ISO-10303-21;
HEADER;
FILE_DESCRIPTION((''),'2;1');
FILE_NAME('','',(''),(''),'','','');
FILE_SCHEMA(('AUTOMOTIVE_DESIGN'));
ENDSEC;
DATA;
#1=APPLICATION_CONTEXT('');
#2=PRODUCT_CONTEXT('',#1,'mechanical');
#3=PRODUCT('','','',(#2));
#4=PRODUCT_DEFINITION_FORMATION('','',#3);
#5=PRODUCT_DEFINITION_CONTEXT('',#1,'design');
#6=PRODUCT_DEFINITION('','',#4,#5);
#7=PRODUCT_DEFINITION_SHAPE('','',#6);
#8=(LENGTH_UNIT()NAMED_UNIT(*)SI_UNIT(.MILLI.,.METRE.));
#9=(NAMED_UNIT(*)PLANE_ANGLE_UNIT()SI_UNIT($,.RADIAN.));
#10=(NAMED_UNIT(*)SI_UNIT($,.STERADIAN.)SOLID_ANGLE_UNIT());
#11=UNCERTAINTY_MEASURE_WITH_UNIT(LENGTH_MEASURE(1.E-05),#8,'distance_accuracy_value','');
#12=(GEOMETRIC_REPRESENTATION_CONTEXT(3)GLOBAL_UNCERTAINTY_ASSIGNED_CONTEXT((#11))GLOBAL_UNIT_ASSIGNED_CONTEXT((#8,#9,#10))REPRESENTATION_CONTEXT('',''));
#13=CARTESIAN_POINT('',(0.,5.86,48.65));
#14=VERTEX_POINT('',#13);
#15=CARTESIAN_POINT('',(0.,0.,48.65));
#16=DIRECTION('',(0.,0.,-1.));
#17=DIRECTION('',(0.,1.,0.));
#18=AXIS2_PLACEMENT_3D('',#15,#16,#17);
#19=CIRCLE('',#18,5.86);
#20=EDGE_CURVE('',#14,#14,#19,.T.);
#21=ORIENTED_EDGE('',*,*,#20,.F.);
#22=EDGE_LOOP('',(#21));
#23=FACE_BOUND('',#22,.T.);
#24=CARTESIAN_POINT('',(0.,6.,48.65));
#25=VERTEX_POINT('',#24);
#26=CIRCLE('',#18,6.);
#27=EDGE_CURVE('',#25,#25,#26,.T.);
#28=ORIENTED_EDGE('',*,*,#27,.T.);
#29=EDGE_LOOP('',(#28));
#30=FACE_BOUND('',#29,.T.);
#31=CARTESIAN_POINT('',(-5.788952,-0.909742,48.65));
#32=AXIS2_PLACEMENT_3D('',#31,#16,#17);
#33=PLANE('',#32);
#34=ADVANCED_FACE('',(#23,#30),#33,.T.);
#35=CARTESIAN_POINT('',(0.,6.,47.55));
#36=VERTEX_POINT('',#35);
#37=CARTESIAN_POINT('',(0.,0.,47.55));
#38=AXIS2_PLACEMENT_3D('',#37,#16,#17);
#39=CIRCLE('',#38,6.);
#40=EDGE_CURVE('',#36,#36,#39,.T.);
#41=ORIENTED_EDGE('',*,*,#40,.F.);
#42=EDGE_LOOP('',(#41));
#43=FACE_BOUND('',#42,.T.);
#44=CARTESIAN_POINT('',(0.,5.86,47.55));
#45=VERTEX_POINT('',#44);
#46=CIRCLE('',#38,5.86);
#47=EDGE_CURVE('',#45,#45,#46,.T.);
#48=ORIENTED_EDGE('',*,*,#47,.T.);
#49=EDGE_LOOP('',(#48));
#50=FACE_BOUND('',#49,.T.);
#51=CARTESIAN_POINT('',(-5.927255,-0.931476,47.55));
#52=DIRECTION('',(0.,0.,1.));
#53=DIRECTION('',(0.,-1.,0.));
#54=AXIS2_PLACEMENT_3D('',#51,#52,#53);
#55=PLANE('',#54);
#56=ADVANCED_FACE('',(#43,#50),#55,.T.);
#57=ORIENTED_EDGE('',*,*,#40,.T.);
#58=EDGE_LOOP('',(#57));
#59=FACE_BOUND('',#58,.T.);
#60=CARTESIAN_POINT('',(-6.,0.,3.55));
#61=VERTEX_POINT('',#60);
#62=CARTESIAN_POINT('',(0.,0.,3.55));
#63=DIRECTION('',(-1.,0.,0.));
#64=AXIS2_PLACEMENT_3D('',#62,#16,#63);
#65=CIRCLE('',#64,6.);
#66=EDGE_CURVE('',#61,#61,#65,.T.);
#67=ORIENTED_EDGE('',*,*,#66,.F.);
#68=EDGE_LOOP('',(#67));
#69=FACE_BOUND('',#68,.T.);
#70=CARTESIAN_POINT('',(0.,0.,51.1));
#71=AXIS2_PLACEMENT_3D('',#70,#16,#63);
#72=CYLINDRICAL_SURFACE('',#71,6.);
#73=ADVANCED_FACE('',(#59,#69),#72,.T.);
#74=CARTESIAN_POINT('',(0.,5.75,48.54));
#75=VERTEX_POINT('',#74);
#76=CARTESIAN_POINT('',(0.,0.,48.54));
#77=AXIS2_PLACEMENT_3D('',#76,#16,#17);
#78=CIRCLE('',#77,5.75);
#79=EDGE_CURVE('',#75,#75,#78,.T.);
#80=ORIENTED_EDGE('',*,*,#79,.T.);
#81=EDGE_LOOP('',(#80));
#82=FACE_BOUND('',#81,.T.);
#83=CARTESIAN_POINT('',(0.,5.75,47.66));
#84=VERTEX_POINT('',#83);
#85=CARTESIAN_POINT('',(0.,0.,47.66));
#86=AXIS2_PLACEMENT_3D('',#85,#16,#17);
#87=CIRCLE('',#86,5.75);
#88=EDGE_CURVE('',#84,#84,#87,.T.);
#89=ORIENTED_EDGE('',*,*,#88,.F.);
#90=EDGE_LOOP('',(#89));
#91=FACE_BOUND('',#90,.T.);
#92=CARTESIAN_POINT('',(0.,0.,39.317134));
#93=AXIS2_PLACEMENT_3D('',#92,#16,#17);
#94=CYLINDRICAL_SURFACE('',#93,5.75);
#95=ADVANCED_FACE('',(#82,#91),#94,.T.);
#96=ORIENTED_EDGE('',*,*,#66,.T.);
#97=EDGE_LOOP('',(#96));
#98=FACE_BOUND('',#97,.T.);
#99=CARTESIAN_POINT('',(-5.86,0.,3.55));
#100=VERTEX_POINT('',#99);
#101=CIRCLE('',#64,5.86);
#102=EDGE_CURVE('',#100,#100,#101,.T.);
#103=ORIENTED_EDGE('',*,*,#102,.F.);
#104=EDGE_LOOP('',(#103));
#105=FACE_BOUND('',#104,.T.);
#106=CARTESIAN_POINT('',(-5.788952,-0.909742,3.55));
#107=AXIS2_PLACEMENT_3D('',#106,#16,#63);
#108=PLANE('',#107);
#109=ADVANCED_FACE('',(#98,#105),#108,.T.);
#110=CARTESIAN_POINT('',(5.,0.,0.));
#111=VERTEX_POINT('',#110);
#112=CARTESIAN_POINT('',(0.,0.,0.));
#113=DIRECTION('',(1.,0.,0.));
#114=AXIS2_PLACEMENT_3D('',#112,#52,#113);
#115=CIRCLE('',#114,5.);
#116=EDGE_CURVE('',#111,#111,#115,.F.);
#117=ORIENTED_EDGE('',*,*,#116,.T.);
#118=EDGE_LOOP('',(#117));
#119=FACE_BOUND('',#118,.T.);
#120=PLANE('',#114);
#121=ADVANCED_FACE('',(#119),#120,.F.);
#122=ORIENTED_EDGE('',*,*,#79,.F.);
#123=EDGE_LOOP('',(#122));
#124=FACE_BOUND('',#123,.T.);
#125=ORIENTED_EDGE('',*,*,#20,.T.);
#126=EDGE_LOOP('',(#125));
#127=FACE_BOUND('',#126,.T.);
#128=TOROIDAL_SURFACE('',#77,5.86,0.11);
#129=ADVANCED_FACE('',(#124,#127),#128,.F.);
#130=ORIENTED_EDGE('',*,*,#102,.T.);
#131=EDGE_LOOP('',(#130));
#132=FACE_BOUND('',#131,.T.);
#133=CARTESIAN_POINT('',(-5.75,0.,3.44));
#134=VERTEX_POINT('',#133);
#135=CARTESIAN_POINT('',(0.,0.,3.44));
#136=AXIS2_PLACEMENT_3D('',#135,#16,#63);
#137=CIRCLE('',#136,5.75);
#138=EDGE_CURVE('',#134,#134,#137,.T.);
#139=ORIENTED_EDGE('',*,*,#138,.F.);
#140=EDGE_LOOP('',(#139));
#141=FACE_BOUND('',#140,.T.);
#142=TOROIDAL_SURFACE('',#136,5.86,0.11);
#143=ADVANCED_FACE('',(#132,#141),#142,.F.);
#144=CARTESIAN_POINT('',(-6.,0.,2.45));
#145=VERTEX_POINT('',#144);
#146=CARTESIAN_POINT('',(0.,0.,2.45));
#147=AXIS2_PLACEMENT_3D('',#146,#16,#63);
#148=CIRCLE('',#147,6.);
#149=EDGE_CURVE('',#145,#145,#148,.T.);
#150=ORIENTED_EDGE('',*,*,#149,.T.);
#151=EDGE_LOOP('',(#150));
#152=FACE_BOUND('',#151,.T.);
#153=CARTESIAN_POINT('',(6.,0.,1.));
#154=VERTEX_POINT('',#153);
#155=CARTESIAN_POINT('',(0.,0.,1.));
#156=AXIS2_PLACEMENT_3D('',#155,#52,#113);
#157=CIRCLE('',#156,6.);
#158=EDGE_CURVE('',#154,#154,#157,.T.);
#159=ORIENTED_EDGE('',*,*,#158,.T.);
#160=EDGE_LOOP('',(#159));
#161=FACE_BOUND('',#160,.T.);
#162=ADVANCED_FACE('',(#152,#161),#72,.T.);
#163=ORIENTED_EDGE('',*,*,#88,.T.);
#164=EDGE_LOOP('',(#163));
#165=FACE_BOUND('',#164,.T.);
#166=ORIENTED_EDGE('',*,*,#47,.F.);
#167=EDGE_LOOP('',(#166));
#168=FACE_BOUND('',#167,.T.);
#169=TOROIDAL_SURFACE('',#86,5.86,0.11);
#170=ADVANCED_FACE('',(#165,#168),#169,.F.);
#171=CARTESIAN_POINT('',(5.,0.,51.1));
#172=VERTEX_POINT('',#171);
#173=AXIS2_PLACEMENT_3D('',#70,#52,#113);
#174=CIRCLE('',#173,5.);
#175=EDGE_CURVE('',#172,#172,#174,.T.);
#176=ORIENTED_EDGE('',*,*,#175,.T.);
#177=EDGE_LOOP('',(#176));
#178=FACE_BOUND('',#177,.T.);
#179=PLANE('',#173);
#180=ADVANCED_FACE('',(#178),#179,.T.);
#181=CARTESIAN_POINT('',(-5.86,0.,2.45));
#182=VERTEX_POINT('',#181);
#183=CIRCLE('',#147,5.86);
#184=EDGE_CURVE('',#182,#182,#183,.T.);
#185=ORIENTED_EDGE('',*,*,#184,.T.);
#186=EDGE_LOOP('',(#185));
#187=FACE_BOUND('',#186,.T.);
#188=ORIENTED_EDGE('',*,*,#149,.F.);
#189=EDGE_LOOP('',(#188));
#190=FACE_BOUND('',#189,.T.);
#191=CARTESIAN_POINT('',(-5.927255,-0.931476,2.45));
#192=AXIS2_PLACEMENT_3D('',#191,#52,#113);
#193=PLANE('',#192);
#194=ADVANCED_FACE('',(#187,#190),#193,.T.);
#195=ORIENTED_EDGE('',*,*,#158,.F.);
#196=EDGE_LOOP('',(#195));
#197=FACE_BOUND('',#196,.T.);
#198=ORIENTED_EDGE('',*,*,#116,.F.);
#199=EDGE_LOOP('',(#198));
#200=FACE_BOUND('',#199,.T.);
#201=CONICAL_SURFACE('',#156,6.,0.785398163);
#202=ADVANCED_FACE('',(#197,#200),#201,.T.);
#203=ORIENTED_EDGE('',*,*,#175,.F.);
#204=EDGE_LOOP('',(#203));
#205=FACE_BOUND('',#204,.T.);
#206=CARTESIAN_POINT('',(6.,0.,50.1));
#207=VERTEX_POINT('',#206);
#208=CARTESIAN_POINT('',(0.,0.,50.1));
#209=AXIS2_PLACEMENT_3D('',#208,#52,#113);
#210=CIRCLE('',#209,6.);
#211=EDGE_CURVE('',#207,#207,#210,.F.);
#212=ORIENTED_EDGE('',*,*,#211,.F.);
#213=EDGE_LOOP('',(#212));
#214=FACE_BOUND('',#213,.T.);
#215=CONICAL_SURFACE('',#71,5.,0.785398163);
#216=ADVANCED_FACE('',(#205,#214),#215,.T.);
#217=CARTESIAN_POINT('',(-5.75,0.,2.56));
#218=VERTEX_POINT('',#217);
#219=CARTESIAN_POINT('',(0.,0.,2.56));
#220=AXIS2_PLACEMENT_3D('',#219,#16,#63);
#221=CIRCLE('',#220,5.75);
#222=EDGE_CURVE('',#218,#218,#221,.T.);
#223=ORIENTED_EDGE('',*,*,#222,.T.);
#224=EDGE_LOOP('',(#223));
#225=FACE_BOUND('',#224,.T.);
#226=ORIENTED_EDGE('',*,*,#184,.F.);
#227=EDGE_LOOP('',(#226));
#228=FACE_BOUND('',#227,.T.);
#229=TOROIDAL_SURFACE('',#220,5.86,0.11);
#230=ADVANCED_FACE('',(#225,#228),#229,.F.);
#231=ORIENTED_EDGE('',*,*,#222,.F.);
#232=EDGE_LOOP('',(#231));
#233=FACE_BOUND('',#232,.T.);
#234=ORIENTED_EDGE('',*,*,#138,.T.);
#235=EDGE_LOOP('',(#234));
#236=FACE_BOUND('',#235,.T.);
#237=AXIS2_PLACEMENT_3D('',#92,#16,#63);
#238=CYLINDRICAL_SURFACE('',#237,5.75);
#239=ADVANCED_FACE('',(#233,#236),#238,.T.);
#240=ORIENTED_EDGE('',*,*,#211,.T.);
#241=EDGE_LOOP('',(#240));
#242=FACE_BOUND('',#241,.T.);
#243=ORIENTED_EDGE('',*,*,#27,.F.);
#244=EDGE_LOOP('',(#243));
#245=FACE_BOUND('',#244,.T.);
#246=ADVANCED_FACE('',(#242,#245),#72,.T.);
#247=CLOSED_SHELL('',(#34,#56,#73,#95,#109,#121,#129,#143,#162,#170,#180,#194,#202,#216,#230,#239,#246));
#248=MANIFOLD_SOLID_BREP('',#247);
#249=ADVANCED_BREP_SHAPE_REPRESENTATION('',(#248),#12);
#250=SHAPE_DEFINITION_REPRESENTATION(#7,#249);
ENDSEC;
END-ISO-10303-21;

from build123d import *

# Parameters (mm, degrees)
SKETCH1_R           = 6
BOSS_EXTRUDE1_DEPTH = 51.1
CHAMFER1_SIZE       = 1


with BuildPart() as part:
    # Sketch1 → Boss-Extrude1 (new body)
    with BuildSketch(Plane.XY):
        Circle(SKETCH1_R)
    extrude(amount=BOSS_EXTRUDE1_DEPTH)

    # Chamfer1
    chamfer1_edges = [part.edges().sort_by_distance(p)[0] for p in [
        (-6, 0, 0),
        (-6, 0, 51.1),
    ]]
    chamfer(chamfer1_edges, length=CHAMFER1_SIZE)

    # Groove Sketch → Retaining Ring Groove (revolve, cut)
    with BuildSketch(Plane(origin=(11.571093486, 1.818413045, 30.848914431), x_dir=(-0.1670407778174849, -0.02625068493329621, 0.9856004667646331), z_dir=(0.1552460285814813, -0.987875837648476, 0)), mode=Mode.PRIVATE) as retaining_ring_groove_sk:
        with BuildLine():
            Line((20.516209746, 14.310059643), (20.539882467, 14.448043709))
            Line((20.539882467, 14.448043709), (19.455721954, 14.634043658))
            Line((19.455721954, 14.634043658), (19.432049233, 14.496059593))
            ThreePointArc((19.432049233, 14.496059593), (19.450651377, 14.413950055), (19.521865289, 14.369043546))
            Line((19.521865289, 14.369043546), (20.3891937, 14.220243587))
            ThreePointArc((20.3891937, 14.220243587), (20.471303237, 14.238845731), (20.516209746, 14.310059643))
        make_face()
    revolve(retaining_ring_groove_sk.sketch.rotate(Axis((0, 0, 39.317134261), (0, 0, -1)), 98.931065378), axis=Axis((0, 0, 39.317134261), (0, 0, -1)), mode=Mode.SUBTRACT)

    # Groove Sketch1 → Retaining Ring Groove1 (revolve, cut)
    with BuildSketch(Plane(origin=(11.571093486, 1.818413045, 30.848914431), x_dir=(-0.16704077781748494, -0.02625068493329602, 0.9856004667646331), z_dir=(0.1552460285814813, -0.987875837648476, 0)), mode=Mode.PRIVATE) as retaining_ring_groove1_sk:
        with BuildLine():
            Line((-23.934371305, 21.93605756), (-23.910698584, 22.074041625))
            Line((-23.910698584, 22.074041625), (-24.994859097, 22.260041574))
            Line((-24.994859097, 22.260041574), (-25.018531818, 22.122057509))
            ThreePointArc((-25.018531818, 22.122057509), (-24.999929675, 22.039947971), (-24.928715762, 21.995041463))
            Line((-24.928715762, 21.995041463), (-24.061387351, 21.846241503))
            ThreePointArc((-24.061387351, 21.846241503), (-23.979277814, 21.864843647), (-23.934371305, 21.93605756))
        make_face()
    revolve(retaining_ring_groove1_sk.sketch.rotate(Axis((0, 0, 39.317134261), (0, 0, -1)), 8.931065378), axis=Axis((0, 0, 39.317134261), (0, 0, -1)), mode=Mode.SUBTRACT)


solid = part.part
